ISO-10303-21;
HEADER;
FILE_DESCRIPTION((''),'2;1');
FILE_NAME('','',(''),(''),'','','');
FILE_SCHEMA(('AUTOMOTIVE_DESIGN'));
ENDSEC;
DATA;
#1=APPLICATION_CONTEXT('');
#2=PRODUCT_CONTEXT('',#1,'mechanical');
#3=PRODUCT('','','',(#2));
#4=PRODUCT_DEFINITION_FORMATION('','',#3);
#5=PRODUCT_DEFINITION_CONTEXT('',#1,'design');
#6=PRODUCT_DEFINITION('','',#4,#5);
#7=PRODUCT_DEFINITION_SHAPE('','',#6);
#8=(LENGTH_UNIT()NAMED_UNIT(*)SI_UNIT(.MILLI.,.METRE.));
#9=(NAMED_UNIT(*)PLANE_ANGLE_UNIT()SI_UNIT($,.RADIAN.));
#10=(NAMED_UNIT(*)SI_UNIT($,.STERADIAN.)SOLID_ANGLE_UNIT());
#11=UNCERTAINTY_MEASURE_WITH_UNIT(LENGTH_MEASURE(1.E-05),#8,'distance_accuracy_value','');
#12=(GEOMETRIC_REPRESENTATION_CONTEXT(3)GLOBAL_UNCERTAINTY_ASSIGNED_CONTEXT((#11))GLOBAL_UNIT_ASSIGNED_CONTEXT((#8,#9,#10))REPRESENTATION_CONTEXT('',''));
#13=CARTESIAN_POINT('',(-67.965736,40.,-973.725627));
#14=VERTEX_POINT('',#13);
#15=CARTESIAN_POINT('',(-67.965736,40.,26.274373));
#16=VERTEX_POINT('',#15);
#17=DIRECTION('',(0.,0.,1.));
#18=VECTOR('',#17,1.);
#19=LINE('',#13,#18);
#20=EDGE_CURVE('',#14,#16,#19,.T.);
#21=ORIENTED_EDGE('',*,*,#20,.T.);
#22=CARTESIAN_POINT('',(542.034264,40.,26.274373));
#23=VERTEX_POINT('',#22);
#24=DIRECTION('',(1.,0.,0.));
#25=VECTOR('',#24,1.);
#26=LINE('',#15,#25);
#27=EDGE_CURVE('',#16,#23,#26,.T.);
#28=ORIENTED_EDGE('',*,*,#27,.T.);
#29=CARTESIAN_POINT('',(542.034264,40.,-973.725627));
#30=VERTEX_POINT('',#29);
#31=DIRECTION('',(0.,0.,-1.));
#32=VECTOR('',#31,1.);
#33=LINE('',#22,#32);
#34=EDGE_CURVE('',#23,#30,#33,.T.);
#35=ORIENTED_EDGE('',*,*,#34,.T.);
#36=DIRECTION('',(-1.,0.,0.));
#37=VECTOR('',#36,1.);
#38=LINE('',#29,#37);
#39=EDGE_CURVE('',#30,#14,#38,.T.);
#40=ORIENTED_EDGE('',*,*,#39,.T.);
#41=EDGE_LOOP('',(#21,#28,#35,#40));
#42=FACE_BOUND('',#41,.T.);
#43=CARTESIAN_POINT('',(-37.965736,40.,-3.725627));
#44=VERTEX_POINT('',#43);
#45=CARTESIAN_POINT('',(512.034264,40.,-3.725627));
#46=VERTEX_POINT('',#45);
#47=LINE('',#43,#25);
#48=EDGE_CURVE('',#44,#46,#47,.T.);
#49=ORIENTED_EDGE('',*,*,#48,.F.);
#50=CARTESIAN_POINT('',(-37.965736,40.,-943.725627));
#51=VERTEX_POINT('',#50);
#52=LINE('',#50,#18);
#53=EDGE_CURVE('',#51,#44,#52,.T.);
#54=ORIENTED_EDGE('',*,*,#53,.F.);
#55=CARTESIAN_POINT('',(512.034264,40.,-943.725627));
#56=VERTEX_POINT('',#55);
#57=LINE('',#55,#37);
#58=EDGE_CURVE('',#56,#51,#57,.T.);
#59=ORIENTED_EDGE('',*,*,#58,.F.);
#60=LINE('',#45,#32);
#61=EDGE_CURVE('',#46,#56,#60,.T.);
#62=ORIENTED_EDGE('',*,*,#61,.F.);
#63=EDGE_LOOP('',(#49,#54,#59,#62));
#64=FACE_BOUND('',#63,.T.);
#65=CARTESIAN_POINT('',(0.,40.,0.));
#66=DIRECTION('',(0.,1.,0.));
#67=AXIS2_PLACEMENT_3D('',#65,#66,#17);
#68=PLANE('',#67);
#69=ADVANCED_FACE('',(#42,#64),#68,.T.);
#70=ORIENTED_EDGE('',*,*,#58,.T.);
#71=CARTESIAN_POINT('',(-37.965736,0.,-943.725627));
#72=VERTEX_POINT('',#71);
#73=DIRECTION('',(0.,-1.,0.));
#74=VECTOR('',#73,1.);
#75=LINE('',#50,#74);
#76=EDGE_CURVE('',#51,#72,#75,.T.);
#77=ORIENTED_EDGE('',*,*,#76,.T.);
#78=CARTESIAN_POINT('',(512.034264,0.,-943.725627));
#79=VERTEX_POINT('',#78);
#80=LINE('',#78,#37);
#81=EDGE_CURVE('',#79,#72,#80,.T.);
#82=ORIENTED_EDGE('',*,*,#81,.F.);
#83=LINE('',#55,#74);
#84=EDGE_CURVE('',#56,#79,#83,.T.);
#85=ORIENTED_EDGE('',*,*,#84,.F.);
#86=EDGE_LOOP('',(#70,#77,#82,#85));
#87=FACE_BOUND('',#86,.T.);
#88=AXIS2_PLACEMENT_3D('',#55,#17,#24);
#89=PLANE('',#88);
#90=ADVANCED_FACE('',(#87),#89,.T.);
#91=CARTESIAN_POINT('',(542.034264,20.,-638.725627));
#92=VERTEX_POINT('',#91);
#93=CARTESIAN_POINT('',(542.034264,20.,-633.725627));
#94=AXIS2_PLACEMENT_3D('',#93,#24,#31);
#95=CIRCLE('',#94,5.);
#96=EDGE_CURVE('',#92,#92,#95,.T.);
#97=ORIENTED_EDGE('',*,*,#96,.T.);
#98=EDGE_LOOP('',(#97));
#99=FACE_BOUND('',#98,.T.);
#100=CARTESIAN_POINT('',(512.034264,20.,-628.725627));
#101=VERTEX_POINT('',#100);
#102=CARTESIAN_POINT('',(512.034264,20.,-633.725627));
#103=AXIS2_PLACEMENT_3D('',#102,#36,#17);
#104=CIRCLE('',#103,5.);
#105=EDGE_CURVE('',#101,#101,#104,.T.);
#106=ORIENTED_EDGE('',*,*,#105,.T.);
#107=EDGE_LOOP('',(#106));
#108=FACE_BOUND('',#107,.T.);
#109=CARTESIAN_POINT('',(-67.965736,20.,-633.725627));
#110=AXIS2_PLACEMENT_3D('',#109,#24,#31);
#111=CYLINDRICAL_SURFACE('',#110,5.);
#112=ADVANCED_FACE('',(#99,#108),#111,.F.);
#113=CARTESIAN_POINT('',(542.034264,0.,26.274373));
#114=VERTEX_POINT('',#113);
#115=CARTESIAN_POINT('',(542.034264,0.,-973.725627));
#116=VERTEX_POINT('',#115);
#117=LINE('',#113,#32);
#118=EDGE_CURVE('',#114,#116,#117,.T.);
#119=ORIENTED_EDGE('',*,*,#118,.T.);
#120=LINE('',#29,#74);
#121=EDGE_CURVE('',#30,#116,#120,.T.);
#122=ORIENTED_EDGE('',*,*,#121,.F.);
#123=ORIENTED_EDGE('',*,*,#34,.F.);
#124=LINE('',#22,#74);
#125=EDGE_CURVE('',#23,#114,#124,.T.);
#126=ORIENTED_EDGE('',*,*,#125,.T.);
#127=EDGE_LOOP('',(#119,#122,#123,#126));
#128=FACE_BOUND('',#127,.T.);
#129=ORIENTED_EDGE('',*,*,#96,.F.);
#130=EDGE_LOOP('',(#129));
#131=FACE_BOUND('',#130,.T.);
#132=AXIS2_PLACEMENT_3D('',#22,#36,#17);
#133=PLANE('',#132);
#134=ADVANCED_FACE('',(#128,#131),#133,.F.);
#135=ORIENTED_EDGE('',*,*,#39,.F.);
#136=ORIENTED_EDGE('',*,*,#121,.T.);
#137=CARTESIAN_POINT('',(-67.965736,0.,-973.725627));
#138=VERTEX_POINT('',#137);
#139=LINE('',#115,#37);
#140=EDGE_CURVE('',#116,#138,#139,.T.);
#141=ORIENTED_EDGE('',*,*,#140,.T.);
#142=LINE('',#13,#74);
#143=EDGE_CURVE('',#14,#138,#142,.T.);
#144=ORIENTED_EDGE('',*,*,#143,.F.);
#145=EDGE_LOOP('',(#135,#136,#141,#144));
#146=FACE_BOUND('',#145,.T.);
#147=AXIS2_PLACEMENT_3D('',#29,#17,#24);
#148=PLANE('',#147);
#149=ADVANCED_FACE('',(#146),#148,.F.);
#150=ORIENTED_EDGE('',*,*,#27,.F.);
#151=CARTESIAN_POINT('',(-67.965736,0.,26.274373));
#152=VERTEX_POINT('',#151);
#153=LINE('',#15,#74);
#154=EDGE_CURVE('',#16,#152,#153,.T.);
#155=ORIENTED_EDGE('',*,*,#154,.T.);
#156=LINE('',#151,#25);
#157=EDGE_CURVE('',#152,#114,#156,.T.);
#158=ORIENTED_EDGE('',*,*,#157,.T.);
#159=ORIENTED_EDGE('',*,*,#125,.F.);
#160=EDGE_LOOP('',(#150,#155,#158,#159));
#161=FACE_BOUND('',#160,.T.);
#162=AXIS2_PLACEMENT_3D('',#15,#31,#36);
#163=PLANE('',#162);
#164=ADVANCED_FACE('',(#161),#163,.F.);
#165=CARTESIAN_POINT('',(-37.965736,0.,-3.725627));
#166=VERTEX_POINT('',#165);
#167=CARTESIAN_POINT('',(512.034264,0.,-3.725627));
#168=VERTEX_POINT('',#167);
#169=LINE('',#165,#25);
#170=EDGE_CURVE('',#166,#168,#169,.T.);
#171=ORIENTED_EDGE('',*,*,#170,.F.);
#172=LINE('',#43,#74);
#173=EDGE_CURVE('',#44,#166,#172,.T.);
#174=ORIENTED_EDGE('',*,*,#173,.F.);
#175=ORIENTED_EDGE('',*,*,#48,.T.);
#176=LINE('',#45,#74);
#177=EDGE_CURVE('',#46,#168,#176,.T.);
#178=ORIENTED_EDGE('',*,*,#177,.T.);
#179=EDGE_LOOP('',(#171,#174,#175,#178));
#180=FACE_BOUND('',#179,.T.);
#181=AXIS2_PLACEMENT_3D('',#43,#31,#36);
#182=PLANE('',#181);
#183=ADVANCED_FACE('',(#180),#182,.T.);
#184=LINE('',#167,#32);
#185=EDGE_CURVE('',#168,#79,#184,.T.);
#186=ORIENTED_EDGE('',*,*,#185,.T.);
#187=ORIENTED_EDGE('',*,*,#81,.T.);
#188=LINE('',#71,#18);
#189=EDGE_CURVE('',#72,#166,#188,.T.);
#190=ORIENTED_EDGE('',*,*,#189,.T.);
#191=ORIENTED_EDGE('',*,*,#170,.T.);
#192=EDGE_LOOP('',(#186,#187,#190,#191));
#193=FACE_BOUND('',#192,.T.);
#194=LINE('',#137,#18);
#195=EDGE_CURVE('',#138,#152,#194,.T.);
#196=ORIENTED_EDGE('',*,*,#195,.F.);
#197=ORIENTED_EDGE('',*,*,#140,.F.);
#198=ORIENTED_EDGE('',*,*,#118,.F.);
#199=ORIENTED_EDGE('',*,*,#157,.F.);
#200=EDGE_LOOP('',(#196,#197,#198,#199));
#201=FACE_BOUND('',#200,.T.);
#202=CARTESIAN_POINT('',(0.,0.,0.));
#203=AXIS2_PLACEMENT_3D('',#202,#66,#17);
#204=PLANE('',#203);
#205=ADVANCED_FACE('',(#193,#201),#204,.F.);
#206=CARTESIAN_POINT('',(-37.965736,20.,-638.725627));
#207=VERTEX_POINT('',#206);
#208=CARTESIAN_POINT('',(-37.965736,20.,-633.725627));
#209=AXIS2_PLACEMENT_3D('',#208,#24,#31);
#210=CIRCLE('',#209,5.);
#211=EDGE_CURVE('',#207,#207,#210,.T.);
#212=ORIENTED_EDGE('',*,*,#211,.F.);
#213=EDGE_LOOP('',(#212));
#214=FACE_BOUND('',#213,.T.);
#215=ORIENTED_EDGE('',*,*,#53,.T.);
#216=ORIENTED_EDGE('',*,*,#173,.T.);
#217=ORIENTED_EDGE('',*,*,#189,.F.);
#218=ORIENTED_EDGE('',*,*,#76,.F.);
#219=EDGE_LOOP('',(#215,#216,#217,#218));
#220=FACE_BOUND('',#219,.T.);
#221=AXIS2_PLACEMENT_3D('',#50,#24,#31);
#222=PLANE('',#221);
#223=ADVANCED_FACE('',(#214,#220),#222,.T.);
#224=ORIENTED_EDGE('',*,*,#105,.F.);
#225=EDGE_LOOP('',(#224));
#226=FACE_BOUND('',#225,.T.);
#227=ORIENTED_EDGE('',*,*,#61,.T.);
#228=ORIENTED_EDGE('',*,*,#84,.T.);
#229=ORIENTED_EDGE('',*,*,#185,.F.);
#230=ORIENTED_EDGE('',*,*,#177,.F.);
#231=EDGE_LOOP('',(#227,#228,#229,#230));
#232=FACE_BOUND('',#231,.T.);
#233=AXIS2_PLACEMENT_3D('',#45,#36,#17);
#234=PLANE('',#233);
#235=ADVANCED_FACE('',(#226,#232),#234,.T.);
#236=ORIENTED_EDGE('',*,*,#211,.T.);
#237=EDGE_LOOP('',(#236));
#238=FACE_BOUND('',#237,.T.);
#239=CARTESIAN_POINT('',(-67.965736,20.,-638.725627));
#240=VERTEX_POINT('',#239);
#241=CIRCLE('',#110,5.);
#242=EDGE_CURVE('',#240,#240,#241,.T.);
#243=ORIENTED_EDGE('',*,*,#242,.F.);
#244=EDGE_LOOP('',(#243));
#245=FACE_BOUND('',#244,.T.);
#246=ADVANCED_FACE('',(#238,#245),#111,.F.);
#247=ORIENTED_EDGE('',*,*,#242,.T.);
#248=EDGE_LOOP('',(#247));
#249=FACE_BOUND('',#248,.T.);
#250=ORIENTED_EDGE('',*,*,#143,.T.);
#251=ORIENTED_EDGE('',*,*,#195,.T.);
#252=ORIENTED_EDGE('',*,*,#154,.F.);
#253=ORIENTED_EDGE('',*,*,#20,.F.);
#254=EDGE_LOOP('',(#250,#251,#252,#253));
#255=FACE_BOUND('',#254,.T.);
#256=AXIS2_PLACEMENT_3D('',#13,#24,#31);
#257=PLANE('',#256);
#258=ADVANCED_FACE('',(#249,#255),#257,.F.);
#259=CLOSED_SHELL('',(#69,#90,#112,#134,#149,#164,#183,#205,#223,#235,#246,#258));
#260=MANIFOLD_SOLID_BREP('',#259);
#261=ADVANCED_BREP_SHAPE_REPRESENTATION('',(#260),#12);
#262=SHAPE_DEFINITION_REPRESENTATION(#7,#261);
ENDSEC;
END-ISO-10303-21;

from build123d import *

# Parameters (mm, degrees)
SKETCH_1_W          = 610
SKETCH_1_H          = 1000
SKETCH_1_W_2        = 550
SKETCH_1_H_2        = 940
EXTRUDE_1_DEPTH     = 40
SKETCH_2_R          = 5
CUT_EXTRUDE_1_DEPTH = 611


with BuildPart() as part:
    # Эскиз1 → Бобышка-Вытянуть1 (new body)
    with BuildSketch(Plane(origin=(0, 0, 0), x_dir=(1, 0, 0), z_dir=(0, 1, 0))):
        with Locations((237.034264066, 473.725626833)):
            Rectangle(SKETCH_1_W, SKETCH_1_H)
        with Locations((237.034264066, 473.725626833)):
            Rectangle(SKETCH_1_W_2, SKETCH_1_H_2, mode=Mode.SUBTRACT)
    extrude(amount=EXTRUDE_1_DEPTH)

    # Эскиз2 → Вырез-Вытянуть1 (cut, through all)
    with BuildSketch(Plane(origin=(542.034264066, 0, 0), x_dir=(0, 0, -1), z_dir=(1, 0, 0))):
        with Locations((633.725626833, 20)):
            Circle(SKETCH_2_R)
    extrude(amount=-CUT_EXTRUDE_1_DEPTH, mode=Mode.SUBTRACT)


solid = part.part
